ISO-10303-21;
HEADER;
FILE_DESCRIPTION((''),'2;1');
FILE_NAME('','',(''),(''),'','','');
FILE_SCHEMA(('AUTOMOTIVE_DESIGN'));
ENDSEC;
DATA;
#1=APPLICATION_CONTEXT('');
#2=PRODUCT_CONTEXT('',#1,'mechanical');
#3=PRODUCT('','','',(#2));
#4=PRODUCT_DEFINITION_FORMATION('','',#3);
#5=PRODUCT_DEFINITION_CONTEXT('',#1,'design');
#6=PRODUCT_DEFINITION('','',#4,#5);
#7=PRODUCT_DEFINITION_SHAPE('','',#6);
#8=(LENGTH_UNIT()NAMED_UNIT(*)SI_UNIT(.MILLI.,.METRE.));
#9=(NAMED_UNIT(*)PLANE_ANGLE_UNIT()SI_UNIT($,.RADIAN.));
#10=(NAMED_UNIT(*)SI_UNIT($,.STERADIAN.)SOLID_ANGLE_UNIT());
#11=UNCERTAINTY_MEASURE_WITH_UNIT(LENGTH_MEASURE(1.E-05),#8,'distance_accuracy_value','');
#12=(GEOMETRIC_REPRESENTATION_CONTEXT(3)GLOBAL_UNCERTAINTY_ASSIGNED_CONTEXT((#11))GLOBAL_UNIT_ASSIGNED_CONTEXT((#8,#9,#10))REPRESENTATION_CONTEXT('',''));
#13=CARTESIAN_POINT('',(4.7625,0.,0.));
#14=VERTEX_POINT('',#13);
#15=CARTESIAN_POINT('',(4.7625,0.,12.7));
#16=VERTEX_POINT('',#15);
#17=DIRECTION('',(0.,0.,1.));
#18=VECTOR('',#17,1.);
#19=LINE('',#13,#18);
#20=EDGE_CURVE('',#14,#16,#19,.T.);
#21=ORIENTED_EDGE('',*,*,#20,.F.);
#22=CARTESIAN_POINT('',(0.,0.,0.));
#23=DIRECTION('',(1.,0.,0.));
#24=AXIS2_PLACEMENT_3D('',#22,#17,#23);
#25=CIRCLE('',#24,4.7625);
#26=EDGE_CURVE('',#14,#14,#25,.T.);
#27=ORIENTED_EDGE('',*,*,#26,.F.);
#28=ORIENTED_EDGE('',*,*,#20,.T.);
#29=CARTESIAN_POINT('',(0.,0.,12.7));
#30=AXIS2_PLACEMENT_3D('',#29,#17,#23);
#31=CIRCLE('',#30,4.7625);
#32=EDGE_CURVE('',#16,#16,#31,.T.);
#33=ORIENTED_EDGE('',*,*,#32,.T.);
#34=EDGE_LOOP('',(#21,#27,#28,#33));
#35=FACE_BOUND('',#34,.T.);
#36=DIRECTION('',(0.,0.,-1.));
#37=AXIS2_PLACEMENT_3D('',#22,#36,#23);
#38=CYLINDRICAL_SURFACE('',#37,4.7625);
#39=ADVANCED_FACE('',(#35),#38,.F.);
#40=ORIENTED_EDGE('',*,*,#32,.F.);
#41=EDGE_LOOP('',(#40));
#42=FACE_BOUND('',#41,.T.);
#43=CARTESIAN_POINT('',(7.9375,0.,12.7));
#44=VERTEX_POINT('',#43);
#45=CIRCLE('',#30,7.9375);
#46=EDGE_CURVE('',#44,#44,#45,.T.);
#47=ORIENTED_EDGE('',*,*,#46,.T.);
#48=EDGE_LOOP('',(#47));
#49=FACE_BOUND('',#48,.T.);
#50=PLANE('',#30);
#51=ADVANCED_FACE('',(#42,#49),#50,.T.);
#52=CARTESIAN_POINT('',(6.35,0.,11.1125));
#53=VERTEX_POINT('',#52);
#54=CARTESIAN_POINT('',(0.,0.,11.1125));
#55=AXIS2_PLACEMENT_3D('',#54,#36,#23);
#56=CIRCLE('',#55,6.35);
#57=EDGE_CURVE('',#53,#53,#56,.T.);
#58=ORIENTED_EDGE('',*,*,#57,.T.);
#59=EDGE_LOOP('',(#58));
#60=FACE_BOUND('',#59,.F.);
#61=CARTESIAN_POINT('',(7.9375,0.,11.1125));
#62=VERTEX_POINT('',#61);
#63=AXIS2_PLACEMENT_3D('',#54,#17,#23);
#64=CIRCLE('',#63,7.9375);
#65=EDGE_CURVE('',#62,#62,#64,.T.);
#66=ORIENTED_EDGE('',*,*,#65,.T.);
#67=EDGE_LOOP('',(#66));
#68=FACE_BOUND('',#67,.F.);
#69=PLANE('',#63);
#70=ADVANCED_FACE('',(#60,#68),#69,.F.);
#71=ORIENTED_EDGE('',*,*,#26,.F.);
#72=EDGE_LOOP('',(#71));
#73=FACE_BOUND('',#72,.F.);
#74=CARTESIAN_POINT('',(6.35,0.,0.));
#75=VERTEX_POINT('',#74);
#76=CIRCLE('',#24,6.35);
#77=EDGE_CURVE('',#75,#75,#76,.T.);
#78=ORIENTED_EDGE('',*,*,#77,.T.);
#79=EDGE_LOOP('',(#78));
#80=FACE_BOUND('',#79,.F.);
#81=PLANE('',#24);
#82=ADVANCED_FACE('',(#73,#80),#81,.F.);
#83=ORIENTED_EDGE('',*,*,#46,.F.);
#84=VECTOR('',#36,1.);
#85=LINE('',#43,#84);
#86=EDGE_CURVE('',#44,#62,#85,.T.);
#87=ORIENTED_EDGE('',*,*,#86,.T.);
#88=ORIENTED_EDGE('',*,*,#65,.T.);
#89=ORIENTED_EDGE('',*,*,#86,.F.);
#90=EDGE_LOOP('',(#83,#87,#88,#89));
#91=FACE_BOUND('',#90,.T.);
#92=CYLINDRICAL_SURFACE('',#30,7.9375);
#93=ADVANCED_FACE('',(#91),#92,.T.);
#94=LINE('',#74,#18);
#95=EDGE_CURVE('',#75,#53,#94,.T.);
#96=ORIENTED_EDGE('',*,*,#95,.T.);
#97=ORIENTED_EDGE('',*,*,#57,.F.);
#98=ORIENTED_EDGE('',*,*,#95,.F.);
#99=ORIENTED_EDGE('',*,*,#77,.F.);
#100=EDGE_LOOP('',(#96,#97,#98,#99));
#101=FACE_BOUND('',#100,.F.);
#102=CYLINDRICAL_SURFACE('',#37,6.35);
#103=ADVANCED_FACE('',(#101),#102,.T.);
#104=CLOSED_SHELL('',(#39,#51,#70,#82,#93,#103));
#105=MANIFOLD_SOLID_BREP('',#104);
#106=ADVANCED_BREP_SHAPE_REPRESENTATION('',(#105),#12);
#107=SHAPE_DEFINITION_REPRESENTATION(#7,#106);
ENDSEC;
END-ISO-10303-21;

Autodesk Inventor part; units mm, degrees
ref_plane "YZ Plane" through (0, 0, 0) normal (1, 0, 0) x (0, 1, 0)
ref_plane "XZ Plane" through (0, 0, 0) normal (0, 1, 0) x (-1, 0, 0)
ref_plane "XY Plane" through (0, 0, 0) normal (0, 0, 1) x (1, 0, 0)
sketch "Sketch1" plane through (0, 0, 0) normal (0, 0, 1) x (1, 0, 0)
  circle A0 centre (0, 0) radius 6.35
  circle A1 centre (0, 0) radius 4.7625
  dimension "d0" = 9.525
  dimension "d1" = 12.7
extrude "Extrusion1" add sketch "Sketch1" along normal blind 12.7
sketch "Sketch4" plane through (0, 0, 12.7) normal (0, 0, 1) x (1, 0, 0)
  circle A0 centre (0, 0) radius 4.7625 projected
  circle A1 centre (0, 0) radius 7.9375
  dimension "d10" = 15.875
extrude "Extrusion4" add sketch "Sketch4" against normal blind 1.5875
properties part number "Flanged Bushing" material "Bronze"
